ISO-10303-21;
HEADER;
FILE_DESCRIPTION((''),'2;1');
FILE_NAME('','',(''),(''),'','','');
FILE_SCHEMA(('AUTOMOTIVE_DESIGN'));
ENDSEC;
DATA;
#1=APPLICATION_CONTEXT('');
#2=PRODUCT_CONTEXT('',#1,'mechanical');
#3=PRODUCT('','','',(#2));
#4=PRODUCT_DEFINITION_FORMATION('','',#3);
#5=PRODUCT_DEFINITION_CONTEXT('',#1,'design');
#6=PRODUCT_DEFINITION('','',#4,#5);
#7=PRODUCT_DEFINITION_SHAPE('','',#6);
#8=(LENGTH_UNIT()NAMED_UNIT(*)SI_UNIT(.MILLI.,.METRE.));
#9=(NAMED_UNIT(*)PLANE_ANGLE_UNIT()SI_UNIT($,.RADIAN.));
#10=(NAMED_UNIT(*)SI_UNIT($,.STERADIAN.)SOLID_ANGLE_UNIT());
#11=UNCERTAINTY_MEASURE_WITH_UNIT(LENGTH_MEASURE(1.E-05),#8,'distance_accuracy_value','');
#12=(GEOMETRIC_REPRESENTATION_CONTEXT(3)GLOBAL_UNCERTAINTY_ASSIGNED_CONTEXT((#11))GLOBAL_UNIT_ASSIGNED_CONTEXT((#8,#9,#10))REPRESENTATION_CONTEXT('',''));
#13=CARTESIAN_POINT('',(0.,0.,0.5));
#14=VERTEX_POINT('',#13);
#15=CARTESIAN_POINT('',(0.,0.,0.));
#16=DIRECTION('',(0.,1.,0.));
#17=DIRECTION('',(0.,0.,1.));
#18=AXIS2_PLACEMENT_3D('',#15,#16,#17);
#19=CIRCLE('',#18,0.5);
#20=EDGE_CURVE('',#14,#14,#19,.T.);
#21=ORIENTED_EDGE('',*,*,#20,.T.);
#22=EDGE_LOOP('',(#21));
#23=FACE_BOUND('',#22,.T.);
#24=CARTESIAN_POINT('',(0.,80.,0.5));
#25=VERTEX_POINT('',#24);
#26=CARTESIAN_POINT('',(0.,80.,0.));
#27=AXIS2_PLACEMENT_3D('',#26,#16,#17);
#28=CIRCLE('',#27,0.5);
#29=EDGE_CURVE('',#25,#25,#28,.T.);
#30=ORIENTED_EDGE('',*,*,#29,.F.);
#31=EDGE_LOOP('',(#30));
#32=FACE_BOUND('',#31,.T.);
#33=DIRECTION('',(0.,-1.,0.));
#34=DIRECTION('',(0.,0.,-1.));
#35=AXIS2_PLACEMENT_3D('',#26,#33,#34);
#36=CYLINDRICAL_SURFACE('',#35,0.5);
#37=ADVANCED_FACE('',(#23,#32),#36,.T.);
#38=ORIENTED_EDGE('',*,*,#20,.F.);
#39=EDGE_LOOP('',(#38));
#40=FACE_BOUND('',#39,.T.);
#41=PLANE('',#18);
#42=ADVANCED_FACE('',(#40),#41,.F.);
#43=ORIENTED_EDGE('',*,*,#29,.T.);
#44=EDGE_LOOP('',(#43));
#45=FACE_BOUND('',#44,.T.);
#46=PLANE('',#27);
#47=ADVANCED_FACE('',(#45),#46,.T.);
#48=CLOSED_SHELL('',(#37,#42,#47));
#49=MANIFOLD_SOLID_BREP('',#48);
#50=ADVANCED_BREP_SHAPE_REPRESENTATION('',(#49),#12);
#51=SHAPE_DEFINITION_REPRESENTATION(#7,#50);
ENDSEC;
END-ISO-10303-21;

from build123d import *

# Parameters (mm, degrees)
SKETCH_1_R      = 0.5
EXTRUDE_1_DEPTH = 80


with BuildPart() as part:
    # 草图1 → 凸台-拉伸1 (new body)
    with BuildSketch(Plane(origin=(0, 0, 0), x_dir=(1, 0, 0), z_dir=(0, 1, 0))):
        with Locations(Location((0, 0, 0), (0, 0, 270))):
            Circle(SKETCH_1_R)
    extrude(amount=EXTRUDE_1_DEPTH)


solid = part.part
